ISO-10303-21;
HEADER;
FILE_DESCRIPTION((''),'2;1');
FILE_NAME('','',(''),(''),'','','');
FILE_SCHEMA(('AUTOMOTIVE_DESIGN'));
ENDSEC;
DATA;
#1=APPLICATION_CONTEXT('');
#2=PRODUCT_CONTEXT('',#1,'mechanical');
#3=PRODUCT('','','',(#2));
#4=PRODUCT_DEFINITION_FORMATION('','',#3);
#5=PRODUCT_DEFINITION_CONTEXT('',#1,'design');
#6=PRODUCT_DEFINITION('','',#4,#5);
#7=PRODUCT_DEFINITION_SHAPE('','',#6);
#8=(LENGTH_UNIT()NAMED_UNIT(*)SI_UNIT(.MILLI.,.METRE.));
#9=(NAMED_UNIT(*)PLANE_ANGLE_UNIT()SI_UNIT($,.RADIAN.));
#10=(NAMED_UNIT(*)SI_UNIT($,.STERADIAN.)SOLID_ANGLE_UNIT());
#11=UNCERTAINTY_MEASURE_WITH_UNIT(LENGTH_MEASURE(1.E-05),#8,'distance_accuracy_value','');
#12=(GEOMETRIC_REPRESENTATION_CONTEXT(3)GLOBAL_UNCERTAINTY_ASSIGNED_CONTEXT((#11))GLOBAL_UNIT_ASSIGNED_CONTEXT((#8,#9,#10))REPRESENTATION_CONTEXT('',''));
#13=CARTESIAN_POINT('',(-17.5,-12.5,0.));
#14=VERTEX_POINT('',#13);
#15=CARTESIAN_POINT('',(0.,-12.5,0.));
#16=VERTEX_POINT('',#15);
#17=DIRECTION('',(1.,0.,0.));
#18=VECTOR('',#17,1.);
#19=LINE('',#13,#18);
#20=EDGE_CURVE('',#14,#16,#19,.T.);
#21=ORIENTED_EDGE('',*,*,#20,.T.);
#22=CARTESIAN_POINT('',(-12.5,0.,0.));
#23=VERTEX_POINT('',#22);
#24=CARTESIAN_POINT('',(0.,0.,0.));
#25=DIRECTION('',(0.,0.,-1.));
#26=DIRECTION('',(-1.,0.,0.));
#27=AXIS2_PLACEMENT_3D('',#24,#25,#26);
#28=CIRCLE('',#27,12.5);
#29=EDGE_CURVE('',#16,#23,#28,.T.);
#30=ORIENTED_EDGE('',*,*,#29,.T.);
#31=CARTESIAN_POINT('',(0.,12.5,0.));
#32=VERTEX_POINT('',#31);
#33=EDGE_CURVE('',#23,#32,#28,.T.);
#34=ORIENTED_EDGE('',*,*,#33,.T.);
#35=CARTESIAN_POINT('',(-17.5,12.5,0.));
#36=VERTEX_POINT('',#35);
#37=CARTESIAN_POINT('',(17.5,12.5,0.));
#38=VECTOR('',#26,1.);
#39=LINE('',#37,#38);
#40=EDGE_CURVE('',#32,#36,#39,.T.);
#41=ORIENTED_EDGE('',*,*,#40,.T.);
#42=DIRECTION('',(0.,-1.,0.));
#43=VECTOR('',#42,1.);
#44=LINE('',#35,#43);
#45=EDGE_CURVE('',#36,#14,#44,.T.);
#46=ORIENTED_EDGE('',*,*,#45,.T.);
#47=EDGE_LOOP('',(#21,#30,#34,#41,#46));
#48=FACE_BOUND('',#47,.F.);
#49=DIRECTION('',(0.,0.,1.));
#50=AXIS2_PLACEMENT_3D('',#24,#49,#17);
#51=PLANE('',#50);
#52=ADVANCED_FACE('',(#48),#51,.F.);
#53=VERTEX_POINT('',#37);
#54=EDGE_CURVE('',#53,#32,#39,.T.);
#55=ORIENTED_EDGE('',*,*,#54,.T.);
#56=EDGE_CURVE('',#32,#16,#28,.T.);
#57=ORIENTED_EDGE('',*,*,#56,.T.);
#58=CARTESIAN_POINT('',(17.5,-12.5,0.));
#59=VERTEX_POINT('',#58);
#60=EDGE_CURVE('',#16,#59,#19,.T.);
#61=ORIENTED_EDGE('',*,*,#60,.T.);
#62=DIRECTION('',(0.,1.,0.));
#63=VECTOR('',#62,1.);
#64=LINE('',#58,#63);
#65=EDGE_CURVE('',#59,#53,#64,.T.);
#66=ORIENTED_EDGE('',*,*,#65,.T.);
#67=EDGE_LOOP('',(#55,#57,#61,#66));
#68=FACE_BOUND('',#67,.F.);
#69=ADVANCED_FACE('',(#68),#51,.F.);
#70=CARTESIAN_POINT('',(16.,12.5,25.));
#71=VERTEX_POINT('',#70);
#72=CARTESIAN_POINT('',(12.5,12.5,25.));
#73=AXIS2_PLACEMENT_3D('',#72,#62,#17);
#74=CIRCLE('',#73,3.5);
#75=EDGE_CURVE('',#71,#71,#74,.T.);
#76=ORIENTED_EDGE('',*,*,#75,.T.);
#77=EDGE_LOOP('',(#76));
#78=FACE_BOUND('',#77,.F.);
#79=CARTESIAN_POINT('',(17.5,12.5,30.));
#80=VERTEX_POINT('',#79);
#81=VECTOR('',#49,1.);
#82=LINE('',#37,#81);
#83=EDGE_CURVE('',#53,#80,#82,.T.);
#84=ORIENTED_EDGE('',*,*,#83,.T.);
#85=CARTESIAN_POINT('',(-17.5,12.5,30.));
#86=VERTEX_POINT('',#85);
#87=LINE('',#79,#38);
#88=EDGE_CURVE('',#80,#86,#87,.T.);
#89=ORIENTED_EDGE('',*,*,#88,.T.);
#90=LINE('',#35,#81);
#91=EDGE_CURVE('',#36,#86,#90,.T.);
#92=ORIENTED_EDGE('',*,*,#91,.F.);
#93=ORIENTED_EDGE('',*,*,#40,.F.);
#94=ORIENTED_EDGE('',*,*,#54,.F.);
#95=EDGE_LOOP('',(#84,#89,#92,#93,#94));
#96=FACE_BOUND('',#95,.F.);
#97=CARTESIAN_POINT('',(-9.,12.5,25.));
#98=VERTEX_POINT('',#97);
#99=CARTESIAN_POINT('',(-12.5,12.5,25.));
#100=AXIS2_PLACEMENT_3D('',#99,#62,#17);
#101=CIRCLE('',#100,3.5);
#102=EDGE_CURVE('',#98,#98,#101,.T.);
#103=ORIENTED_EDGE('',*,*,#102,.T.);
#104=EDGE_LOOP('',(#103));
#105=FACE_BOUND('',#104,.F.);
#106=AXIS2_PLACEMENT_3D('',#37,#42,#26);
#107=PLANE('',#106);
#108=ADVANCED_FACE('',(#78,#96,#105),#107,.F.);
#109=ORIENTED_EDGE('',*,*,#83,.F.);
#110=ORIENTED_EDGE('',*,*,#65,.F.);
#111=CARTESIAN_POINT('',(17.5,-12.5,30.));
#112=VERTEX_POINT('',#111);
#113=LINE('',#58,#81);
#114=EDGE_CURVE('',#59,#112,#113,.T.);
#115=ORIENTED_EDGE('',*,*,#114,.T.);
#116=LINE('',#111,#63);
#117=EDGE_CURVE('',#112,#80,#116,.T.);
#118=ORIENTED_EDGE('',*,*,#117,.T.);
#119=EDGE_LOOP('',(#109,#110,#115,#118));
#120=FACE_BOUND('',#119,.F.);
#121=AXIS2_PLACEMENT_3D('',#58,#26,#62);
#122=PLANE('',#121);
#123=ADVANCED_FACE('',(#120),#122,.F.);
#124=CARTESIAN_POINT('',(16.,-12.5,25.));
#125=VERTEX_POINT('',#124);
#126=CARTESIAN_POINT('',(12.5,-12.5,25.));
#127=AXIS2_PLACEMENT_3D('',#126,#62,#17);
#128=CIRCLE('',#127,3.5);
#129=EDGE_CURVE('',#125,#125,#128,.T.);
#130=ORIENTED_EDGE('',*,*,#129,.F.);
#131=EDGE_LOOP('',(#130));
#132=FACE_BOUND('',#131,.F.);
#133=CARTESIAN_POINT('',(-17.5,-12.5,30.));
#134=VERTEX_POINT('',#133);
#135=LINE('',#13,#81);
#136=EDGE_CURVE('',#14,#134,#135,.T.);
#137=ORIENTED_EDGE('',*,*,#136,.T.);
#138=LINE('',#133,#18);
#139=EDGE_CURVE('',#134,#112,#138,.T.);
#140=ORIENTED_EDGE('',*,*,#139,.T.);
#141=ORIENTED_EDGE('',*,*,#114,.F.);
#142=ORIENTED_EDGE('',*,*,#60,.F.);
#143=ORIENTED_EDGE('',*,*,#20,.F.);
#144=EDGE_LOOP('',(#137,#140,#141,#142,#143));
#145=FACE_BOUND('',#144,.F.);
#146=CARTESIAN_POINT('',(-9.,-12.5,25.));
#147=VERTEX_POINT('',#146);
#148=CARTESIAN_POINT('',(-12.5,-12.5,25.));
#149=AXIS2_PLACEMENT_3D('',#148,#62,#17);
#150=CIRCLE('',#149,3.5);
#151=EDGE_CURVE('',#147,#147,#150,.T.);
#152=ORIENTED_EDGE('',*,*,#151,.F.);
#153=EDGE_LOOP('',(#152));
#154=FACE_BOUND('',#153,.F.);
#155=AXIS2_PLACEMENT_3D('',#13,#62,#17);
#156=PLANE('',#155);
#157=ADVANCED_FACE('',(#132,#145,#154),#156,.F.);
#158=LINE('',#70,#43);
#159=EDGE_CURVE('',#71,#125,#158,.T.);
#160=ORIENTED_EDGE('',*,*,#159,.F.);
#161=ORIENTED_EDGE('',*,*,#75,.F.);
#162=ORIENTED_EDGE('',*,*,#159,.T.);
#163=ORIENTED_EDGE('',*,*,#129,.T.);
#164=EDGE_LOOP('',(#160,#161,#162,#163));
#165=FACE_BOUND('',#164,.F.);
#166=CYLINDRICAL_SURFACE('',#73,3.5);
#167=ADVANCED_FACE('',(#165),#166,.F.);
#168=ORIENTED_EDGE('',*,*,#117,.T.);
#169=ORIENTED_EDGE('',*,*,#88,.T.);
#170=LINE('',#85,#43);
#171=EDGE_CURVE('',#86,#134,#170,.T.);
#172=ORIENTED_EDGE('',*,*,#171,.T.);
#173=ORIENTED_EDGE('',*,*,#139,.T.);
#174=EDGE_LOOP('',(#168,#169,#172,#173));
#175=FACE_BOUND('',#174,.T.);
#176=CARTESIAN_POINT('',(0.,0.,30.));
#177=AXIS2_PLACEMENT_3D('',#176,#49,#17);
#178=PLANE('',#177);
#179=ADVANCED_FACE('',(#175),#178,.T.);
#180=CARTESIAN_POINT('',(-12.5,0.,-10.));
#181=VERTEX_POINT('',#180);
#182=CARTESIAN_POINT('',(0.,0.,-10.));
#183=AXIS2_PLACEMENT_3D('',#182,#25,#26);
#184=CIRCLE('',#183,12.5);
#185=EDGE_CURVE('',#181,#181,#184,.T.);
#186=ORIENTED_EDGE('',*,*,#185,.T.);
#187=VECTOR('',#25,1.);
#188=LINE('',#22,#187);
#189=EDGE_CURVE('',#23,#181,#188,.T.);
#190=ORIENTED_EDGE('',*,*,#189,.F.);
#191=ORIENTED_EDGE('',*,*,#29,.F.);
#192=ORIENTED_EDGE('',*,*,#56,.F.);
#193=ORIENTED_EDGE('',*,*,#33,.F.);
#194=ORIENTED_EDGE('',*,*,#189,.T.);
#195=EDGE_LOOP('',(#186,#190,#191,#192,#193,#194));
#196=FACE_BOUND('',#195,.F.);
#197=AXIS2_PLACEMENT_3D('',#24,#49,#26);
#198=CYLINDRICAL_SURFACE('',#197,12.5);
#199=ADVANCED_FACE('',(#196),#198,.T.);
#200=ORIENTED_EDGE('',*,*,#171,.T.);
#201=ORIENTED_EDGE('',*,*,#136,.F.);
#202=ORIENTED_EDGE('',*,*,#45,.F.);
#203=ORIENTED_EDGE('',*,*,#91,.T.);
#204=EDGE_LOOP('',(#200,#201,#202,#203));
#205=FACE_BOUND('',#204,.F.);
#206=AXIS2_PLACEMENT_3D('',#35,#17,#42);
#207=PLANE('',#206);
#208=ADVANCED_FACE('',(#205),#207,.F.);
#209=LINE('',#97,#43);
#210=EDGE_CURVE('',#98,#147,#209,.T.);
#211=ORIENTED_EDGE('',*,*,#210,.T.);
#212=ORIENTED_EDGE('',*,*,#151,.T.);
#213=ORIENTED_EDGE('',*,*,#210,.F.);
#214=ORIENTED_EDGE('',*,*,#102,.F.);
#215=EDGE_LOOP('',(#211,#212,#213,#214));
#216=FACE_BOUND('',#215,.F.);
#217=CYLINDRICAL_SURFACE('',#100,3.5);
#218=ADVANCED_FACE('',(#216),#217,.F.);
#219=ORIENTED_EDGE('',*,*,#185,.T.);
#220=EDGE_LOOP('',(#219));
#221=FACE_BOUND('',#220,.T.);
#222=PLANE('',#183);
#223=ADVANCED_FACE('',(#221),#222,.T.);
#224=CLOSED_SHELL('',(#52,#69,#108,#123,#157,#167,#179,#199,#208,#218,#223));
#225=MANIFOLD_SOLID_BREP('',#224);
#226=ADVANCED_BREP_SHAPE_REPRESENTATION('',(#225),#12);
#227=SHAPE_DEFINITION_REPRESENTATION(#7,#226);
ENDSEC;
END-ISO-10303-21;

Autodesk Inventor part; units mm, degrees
ref_plane "YZ Plane" through (0, 0, 0) normal (1, 0, 0) x (0, 1, 0)
ref_plane "XZ Plane" through (0, 0, 0) normal (0, 1, 0) x (-1, 0, 0)
ref_plane "XY Plane" through (0, 0, 0) normal (0, 0, 1) x (1, 0, 0)
sketch "Sketch1" plane through (0, 0, 0) normal (0, 0, 1) x (1, 0, 0)
  line L0 (-17.5, -12.5) -> (17.5, -12.5)
  line L1 (17.5, -12.5) -> (17.5, 12.5)
  line L2 (17.5, 12.5) -> (-17.5, 12.5)
  line L3 (-17.5, 12.5) -> (-17.5, -12.5)
  line L4 (-17.5, -12.5) -> (17.5, 12.5) construction
  line L5 (17.5, -12.5) -> (-17.5, 12.5) construction
  point P0 (0, 0)
  dimension "d0" = 35
  dimension "d1" = 25
extrude "Extrusion1" add sketch "Sketch1" along normal blind 30
sketch "Sketch2" plane through (0, 0, 0) normal (0, 0, -1) x (-1, 0, 0)
  circle A0 centre (0, 0) radius 12.5
  dimension "d4" = 25
extrude "Extrusion2" add sketch "Sketch2" along normal blind 10
sketch "Sketch3" plane through (-17.5, 12.5, 30) normal (0, 1, 0) x (1, 0, 0)
  circle A0 centre (30, 5) radius 3.5
  circle A1 centre (5, 5) radius 3.5
  line L0 (35, 0) -> (0, 0) projected
  line L1 (0, 30) -> (0, 0) projected
  line L2 (35, 30) -> (35, 0) projected
  point P0 (17.5, 30)
  dimension "d7" = 7
  dimension "d8" = 7
  dimension "d9" = 5
  dimension "d10" = 5
  dimension "d11" = 5
  dimension "d12" = 5
extrude "Extrusion3" cut sketch "Sketch3" against normal through all
